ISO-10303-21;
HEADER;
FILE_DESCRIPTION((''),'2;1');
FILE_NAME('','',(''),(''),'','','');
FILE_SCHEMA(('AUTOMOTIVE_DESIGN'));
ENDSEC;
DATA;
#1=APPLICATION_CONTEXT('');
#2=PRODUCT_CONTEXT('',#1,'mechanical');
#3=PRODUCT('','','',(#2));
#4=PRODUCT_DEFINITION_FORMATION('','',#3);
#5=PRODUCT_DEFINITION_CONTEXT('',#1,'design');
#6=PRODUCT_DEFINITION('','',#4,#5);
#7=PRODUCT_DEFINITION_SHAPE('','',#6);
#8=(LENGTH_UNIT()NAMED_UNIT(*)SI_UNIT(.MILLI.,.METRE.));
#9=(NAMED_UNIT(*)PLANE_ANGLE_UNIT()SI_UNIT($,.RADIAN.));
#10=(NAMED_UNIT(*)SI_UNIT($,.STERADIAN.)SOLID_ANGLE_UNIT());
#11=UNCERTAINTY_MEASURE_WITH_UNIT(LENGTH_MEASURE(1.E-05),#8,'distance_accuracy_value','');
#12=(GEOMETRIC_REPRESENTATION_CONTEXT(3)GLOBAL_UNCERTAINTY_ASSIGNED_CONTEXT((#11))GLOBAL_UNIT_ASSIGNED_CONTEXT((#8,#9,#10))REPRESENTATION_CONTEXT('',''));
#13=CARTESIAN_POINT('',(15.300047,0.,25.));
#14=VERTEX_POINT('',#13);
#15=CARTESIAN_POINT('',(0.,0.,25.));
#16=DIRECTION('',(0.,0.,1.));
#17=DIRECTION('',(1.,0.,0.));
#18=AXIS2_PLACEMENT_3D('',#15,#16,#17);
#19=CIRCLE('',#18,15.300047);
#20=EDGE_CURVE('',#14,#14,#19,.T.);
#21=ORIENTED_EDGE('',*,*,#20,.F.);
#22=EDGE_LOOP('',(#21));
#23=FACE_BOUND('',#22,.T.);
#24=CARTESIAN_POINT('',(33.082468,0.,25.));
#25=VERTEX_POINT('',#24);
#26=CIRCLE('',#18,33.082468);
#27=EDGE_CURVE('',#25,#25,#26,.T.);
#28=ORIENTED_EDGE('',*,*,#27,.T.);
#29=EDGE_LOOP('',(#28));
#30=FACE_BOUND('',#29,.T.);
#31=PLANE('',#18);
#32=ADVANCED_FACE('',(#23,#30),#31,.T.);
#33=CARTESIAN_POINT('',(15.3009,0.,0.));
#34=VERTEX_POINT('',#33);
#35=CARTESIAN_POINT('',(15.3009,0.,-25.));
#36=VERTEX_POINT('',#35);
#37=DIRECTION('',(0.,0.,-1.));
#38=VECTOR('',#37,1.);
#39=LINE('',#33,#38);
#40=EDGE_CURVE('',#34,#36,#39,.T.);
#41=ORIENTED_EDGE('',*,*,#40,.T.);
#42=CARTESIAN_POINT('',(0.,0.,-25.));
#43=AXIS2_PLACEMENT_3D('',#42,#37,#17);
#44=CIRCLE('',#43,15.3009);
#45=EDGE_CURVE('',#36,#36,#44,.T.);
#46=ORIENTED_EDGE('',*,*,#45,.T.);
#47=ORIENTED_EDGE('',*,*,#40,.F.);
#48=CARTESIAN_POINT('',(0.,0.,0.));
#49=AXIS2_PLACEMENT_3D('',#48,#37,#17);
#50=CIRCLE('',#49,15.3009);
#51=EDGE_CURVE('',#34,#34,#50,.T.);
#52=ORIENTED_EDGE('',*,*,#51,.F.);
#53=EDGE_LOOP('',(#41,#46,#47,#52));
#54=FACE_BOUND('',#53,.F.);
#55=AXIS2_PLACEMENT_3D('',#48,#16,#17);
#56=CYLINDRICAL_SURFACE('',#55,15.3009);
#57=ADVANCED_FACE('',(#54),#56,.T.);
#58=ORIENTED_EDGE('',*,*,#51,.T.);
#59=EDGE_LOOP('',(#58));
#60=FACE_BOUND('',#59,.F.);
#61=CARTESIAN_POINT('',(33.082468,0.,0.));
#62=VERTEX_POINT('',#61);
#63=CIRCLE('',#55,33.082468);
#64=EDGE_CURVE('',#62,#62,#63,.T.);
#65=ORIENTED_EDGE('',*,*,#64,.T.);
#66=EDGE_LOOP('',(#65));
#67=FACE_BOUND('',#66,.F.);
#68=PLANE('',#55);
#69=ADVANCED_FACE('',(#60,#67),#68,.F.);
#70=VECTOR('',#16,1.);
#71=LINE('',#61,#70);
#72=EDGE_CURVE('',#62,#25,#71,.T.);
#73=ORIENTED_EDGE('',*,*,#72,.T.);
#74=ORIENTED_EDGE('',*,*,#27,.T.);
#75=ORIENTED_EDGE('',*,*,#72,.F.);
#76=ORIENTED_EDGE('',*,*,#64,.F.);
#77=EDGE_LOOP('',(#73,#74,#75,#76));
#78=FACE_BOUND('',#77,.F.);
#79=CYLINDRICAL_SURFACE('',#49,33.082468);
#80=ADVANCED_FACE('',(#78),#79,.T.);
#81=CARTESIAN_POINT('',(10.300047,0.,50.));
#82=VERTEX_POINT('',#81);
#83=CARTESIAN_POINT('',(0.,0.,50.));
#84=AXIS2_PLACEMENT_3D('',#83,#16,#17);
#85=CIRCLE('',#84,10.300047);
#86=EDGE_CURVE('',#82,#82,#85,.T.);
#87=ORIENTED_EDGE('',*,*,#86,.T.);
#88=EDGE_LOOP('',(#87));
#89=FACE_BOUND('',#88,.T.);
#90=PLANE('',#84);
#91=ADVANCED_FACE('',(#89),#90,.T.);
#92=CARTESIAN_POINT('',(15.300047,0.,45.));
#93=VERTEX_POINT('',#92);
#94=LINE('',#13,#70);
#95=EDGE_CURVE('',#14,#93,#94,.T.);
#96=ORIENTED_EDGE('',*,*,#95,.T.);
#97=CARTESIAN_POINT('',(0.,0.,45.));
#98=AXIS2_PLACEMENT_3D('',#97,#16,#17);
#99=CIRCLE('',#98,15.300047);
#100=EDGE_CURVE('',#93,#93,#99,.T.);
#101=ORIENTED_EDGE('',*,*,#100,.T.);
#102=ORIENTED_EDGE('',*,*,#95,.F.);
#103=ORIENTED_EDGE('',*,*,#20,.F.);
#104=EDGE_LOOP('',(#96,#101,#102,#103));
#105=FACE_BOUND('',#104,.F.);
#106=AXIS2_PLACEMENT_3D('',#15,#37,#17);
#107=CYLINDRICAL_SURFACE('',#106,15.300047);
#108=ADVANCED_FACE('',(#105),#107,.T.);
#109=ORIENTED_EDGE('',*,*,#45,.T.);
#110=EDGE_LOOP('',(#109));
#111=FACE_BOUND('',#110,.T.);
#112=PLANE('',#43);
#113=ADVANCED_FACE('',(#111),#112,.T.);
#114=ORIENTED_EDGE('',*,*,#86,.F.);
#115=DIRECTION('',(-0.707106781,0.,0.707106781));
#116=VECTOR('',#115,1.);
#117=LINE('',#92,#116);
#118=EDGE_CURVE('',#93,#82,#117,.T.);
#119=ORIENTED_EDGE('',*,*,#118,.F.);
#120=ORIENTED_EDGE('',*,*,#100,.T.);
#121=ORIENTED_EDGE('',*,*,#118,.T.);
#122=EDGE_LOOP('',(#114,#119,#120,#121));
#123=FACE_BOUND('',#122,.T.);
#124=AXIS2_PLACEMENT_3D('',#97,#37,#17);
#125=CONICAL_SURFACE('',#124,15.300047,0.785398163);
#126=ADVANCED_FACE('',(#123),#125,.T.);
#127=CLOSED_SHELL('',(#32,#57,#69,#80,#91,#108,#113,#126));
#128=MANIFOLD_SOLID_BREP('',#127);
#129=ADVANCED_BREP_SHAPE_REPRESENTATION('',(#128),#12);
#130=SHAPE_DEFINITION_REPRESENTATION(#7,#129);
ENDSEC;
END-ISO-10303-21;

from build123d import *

# Parameters (mm, degrees)
F0_R     = 33.082468
F1_DEPTH = 25
F2_R     = 15.300047
F3_DEPTH = 25
F4_SIZE  = 5
F5_R     = 15.3009
F6_DEPTH = 25


with BuildPart() as f1:
    # F0 (on Top) → F1 (new body)
    with BuildSketch(Plane.XY):
        Circle(F0_R)
    extrude(amount=F1_DEPTH)

    # F2 (on face) → F3 (join)
    with BuildSketch(Plane.XY.offset(25)):
        Circle(F2_R)
    extrude(amount=F3_DEPTH)

    # F4
    f4_edges = [f1.edges().sort_by_distance(p)[0] for p in [
        (-15.300047, 0, 50),
    ]]
    chamfer(f4_edges, length=F4_SIZE)

    # F5 (on face) → F6 (join)
    with BuildSketch(Plane(origin=(0, 0, 0), x_dir=(1, 0, 0), z_dir=(0, 0, -1))):
        Circle(F5_R)
    extrude(amount=F6_DEPTH)


solid = f1.part
